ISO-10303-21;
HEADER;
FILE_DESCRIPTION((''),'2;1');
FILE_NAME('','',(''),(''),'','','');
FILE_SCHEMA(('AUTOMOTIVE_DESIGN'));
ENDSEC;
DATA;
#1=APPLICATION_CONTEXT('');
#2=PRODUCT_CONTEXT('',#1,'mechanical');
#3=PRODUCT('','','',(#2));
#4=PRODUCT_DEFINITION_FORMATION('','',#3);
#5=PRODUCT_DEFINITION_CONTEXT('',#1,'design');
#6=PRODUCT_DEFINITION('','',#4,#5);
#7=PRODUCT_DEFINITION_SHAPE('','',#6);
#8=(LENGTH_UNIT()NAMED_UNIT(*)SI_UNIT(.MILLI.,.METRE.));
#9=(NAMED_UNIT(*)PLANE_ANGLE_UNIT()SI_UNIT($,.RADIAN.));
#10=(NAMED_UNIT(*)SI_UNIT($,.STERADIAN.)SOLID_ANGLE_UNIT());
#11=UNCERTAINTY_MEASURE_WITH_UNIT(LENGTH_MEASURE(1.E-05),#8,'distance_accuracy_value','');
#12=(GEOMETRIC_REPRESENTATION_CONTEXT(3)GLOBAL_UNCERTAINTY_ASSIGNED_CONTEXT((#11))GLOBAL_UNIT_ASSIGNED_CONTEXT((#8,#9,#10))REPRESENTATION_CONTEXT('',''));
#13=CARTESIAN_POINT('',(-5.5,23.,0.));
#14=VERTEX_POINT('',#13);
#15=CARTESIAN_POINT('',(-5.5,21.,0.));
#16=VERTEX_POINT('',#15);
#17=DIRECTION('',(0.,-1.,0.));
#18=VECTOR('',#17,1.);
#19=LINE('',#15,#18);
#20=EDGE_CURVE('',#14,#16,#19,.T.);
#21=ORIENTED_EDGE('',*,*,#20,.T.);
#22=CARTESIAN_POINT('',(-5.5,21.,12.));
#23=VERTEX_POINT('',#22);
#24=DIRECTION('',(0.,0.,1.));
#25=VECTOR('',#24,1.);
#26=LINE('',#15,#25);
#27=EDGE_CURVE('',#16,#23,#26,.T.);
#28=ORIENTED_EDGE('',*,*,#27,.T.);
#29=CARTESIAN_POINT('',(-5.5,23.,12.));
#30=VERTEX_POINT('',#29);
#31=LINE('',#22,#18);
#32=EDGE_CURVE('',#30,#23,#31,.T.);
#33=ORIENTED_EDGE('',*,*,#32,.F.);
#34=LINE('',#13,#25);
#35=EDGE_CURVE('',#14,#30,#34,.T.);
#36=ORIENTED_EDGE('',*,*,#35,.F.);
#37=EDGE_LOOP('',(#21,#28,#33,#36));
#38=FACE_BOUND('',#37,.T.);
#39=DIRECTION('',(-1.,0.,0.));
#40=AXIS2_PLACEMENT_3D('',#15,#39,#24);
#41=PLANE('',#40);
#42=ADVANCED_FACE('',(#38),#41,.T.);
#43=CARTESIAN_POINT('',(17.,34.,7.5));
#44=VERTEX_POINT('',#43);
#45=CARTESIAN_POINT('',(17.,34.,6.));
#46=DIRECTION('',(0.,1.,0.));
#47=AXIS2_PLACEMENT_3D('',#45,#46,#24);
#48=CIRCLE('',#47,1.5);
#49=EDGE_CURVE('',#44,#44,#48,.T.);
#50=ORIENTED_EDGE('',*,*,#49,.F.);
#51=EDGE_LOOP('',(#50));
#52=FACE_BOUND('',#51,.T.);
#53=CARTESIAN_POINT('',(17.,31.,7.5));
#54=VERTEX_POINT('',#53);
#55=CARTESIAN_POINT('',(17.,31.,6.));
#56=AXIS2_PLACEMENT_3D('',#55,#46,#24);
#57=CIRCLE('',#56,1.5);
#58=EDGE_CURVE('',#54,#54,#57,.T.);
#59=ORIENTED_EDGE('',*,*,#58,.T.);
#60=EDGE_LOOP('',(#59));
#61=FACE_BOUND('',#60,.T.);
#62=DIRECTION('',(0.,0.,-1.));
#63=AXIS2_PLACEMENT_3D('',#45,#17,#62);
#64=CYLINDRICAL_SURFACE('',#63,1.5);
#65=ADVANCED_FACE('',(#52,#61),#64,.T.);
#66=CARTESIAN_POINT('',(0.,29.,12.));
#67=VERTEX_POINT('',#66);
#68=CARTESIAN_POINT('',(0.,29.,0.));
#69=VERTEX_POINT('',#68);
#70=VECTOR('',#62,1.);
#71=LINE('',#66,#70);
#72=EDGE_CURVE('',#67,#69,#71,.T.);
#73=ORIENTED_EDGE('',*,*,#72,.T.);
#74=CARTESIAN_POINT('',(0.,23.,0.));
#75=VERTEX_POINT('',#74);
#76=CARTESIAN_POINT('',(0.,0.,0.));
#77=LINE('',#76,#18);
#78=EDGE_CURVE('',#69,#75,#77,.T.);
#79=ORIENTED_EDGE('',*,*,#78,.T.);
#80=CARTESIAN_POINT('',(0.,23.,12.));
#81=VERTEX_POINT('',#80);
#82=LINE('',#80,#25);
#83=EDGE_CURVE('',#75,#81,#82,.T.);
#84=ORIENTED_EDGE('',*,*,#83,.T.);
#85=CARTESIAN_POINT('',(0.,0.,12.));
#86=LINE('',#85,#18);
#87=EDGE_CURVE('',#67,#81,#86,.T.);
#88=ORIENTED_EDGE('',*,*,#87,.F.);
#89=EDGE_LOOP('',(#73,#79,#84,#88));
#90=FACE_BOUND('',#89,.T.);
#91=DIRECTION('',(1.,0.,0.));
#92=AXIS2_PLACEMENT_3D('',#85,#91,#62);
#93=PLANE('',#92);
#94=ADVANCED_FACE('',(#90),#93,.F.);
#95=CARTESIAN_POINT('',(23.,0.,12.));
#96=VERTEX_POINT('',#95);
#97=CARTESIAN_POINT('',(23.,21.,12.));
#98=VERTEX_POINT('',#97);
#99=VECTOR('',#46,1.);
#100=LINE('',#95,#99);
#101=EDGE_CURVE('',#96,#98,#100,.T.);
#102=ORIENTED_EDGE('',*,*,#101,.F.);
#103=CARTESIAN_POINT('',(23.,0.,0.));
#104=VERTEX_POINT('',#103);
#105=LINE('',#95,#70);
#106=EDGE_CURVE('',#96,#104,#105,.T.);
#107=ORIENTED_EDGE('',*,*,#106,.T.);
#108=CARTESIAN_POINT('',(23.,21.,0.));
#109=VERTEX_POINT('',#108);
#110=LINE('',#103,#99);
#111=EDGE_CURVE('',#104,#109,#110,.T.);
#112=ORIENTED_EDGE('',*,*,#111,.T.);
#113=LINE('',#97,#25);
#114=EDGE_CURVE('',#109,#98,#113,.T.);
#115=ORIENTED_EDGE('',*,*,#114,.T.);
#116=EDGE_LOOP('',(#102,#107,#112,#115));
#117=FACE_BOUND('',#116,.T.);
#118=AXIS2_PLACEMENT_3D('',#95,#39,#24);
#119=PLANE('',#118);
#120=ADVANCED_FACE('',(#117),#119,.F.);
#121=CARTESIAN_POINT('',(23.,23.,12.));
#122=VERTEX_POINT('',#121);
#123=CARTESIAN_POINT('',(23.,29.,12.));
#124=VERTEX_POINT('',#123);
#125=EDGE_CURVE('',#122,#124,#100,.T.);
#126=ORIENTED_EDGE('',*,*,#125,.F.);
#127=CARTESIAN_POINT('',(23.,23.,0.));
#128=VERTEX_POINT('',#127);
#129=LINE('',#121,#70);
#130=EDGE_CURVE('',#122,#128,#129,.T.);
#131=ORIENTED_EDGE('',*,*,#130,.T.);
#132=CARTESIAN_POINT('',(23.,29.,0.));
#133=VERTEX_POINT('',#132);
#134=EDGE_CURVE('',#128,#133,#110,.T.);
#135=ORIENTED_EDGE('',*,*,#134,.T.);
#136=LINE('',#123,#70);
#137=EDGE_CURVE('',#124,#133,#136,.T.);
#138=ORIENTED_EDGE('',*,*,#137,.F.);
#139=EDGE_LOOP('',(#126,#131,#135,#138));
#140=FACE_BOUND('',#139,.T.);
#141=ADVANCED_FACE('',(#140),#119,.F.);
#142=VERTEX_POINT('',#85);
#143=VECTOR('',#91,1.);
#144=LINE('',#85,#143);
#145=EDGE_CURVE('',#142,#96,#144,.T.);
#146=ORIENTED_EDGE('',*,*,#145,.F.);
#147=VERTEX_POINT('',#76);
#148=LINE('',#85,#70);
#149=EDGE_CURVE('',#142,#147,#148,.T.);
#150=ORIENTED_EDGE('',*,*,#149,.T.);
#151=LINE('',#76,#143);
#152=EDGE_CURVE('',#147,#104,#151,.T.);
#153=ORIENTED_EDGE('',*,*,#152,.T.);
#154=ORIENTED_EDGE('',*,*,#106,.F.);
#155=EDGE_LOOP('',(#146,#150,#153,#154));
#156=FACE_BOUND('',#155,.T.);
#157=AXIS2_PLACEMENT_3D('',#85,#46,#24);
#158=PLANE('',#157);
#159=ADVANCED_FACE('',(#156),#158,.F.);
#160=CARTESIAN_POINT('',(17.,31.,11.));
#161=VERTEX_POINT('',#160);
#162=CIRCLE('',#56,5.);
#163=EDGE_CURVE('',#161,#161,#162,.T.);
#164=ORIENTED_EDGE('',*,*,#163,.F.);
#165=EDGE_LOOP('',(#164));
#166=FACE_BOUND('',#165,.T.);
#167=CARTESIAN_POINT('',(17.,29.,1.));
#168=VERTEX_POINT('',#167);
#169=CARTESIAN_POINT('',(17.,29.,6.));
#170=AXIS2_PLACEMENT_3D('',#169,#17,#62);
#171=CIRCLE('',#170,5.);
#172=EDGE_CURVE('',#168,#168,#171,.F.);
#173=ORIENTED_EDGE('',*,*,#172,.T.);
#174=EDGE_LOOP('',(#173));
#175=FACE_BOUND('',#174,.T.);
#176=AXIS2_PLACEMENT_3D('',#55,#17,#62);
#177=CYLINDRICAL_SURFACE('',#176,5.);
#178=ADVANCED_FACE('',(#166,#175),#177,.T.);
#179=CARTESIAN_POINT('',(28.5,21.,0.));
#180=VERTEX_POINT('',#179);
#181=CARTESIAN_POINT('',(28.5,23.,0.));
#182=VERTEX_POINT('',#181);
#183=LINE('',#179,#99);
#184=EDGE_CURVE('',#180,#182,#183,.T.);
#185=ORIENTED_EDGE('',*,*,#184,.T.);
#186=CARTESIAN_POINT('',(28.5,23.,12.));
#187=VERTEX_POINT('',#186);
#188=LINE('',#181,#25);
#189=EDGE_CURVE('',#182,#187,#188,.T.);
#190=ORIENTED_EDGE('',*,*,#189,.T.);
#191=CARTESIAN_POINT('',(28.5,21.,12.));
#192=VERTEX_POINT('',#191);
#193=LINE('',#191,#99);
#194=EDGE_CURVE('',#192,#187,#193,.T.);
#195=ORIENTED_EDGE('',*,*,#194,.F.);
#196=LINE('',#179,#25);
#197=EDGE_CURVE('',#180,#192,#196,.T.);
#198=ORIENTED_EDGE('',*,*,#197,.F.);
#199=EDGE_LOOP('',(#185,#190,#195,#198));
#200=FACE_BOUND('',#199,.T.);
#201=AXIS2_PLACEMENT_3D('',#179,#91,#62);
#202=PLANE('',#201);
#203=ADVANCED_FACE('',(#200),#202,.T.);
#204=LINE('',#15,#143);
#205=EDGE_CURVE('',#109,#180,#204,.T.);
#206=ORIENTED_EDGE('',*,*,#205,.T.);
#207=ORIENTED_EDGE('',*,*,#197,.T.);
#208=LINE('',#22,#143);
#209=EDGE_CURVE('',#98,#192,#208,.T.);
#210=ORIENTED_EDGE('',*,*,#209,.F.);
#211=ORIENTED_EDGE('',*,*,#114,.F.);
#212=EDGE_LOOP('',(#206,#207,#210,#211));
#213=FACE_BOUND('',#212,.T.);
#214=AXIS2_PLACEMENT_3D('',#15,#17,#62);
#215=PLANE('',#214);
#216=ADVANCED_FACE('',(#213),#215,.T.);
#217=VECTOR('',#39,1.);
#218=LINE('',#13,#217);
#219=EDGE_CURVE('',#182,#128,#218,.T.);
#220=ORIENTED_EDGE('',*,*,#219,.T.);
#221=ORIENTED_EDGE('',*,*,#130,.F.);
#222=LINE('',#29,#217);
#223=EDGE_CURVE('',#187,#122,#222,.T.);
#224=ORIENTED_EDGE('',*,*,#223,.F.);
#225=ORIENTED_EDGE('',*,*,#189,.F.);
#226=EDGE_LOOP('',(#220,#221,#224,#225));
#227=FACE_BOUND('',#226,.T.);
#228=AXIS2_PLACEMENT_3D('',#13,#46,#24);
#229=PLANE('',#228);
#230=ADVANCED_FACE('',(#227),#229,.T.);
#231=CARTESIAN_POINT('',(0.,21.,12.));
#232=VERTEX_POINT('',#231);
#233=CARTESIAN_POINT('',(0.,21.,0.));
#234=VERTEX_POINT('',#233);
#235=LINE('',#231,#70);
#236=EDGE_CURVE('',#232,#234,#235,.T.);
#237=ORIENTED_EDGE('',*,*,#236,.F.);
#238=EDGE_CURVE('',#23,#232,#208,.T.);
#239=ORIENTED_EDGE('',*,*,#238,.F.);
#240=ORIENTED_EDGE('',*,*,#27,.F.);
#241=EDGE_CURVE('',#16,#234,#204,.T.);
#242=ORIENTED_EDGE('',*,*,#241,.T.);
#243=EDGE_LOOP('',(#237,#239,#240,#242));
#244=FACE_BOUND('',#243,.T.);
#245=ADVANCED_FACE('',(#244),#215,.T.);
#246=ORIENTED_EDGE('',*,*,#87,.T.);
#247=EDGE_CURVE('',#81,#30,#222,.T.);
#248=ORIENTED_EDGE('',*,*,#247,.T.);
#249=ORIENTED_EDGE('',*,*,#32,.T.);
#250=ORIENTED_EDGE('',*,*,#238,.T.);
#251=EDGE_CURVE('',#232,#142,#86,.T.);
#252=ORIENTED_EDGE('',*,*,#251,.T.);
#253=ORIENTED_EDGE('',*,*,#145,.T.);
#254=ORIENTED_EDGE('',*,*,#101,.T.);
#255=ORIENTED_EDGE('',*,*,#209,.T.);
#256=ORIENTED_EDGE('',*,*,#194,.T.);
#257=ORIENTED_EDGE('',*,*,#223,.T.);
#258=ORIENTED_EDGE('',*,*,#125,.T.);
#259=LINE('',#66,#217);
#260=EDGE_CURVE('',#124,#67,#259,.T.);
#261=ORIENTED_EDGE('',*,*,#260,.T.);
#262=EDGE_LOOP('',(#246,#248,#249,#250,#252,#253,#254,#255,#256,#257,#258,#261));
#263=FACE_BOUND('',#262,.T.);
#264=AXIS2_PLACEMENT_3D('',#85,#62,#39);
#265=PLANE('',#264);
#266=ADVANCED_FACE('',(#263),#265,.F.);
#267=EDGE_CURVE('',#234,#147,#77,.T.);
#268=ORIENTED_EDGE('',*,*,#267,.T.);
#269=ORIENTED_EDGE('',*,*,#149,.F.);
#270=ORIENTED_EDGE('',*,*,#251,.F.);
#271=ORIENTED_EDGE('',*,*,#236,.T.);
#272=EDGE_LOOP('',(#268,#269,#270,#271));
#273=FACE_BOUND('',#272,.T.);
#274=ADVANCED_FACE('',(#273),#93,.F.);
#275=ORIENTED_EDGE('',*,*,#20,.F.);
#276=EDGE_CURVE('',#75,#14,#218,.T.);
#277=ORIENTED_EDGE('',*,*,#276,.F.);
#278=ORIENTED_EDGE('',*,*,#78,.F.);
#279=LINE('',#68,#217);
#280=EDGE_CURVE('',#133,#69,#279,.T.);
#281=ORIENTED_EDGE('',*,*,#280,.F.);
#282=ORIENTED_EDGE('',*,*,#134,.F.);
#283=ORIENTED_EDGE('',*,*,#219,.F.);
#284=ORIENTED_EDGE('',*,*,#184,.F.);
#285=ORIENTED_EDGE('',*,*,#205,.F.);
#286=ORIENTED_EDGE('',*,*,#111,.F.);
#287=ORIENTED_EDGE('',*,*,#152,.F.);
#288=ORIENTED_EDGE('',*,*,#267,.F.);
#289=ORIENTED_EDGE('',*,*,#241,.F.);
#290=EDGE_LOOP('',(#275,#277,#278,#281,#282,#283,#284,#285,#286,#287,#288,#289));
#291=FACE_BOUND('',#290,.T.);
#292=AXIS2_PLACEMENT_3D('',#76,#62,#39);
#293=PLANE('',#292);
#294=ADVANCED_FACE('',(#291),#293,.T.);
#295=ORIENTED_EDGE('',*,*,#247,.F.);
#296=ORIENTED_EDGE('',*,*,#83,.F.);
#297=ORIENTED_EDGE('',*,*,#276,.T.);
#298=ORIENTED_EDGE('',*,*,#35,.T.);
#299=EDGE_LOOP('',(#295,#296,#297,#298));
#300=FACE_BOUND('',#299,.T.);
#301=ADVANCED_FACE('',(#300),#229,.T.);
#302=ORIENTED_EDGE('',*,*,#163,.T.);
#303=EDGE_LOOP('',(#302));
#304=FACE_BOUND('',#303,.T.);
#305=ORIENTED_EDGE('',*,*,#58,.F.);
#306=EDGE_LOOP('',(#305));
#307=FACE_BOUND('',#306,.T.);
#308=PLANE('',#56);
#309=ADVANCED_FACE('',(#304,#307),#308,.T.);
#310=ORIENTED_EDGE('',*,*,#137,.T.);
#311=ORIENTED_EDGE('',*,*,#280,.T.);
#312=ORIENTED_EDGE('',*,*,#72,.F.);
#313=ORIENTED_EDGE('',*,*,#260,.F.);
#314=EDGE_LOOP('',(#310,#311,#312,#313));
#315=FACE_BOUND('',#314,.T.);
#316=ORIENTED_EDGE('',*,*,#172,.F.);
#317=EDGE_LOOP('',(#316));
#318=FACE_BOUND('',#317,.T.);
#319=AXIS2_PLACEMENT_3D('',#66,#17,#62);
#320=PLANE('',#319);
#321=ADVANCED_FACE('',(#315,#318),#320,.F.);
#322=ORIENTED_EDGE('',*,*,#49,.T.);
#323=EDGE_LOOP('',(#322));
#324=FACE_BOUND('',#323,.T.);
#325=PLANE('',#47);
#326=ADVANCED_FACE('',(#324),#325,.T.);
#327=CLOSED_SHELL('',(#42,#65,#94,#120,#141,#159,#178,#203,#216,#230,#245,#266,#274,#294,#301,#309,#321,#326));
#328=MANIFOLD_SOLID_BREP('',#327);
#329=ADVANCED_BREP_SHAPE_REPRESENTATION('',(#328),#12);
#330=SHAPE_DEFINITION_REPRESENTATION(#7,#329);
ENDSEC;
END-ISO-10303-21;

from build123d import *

# Parameters (mm, degrees)
SKETCH1_W           = 23
SKETCH1_H           = 29
BOSS_EXTRUDE1_DEPTH = 12
SKETCH3_W           = 34
SKETCH3_H           = 2
BOSS_EXTRUDE2_DEPTH = 12
SKETCH4_R           = 5
BOSS_EXTRUDE3_DEPTH = 2
SKETCH6_R           = 1.5
BOSS_EXTRUDE4_DEPTH = 3


with BuildPart() as part:
    # Sketch1 → Boss-Extrude1 (new body)
    with BuildSketch(Plane.XY):
        with Locations((11.5, 14.5)):
            Rectangle(SKETCH1_W, SKETCH1_H)
    extrude(amount=BOSS_EXTRUDE1_DEPTH)

    # Sketch3 → Boss-Extrude2 (add)
    with BuildSketch(Plane.XY.offset(12)):
        with Locations((11.5, 22)):
            Rectangle(SKETCH3_W, SKETCH3_H)
    extrude(amount=-BOSS_EXTRUDE2_DEPTH)

    # Sketch4 → Boss-Extrude3 (add)
    with BuildSketch(Plane(origin=(0, 29, 0), x_dir=(1, 0, 0), z_dir=(0, 1, 0))):
        with Locations(Location((17, -6, 0), (0, 0, 90))):
            Circle(SKETCH4_R)
    extrude(amount=BOSS_EXTRUDE3_DEPTH)

    # Sketch6 → Boss-Extrude4 (add)
    with BuildSketch(Plane(origin=(0, 31, 0), x_dir=(1, 0, 0), z_dir=(0, 1, 0))):
        with Locations(Location((17, -6, 0), (0, 0, 270))):
            Circle(SKETCH6_R)
    extrude(amount=BOSS_EXTRUDE4_DEPTH)


solid = part.part
